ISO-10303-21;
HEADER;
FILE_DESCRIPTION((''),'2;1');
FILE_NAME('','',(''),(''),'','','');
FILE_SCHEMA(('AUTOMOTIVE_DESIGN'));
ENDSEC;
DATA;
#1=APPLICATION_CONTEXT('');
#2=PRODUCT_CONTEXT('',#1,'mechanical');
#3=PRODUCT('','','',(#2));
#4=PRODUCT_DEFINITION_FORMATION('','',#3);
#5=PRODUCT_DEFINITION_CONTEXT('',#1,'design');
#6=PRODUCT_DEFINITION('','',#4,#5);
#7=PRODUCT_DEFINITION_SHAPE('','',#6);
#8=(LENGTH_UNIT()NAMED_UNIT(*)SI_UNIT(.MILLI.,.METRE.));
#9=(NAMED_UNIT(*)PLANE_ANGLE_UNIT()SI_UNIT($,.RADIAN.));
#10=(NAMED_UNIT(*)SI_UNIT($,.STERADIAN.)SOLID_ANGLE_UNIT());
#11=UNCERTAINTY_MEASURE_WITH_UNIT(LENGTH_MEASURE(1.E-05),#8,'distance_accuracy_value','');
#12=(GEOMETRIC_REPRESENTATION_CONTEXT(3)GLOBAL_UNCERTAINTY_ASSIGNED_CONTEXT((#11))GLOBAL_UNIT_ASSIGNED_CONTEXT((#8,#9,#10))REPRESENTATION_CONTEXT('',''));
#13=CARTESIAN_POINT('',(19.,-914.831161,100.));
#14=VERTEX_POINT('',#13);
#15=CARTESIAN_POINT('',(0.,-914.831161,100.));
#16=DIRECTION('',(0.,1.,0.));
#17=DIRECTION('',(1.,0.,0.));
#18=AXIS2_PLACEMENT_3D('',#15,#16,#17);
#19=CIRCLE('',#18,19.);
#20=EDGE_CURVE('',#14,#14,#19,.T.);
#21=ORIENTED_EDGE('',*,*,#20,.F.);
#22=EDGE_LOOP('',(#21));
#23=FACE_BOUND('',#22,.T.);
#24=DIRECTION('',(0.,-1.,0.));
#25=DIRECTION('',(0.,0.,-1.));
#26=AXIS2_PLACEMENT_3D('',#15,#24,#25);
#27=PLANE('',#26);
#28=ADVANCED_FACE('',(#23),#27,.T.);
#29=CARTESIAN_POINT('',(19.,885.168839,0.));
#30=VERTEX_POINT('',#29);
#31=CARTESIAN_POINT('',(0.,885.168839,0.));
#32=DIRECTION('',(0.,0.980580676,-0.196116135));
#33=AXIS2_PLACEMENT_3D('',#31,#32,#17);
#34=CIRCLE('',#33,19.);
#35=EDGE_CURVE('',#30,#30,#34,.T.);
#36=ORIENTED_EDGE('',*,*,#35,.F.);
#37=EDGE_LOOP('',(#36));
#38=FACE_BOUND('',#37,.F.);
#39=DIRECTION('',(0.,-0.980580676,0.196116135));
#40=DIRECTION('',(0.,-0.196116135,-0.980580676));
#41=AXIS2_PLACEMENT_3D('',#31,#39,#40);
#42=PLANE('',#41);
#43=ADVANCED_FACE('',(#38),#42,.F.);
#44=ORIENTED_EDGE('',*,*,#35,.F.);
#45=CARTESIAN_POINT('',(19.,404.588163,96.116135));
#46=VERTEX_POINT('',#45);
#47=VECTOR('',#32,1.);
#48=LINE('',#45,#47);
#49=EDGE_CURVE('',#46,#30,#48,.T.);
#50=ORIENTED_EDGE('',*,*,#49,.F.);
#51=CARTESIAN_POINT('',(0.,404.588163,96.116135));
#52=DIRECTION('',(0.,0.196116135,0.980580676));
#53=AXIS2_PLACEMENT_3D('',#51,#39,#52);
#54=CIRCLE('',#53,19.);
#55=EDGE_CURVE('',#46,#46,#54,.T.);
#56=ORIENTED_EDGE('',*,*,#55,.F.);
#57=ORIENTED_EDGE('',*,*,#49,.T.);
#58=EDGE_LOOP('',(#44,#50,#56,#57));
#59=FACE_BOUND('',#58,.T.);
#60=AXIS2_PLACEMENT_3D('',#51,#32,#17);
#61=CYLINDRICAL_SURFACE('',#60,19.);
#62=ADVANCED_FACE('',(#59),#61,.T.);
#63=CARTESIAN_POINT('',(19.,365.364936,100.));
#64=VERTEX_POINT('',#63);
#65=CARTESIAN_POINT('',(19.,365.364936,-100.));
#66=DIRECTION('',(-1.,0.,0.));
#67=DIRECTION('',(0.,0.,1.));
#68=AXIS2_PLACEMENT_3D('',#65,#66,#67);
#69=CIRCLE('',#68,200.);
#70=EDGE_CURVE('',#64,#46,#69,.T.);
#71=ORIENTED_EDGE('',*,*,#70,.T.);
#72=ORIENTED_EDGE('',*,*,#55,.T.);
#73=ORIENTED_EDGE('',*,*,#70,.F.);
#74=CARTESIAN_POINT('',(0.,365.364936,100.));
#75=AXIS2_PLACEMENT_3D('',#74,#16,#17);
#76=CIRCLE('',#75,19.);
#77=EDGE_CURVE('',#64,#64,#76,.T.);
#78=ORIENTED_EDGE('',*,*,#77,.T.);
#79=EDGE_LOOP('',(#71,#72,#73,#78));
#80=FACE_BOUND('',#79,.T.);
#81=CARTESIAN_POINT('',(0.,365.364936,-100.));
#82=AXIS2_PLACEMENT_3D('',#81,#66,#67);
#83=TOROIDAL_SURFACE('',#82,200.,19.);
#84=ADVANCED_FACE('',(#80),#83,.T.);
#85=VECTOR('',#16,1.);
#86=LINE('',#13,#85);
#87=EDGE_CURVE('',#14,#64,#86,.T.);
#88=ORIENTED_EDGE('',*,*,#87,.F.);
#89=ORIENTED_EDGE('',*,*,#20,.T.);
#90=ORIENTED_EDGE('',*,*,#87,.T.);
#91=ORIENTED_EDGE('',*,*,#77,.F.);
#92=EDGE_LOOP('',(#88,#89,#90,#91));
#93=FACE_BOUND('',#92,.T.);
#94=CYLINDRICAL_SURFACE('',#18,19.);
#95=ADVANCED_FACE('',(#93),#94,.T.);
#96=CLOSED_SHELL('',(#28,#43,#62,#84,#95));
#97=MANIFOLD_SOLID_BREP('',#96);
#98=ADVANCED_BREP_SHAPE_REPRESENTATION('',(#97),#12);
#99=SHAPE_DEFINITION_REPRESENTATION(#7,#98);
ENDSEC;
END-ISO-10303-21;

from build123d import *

# Parameters (mm, degrees)
F1_R = 19


with BuildPart() as f2:
    # F2: sweep along a path in F0
    with BuildLine(Plane.YZ) as f2_path:
        Line((-914.831161499, 100), (365.3649357824, 100))
        ThreePointArc((365.3649357824, 100), (385.0724593757, 99.0266653336), (404.5881628101, 96.1161351382))
        Line((404.5881628101, 96.1161351382), (885.168838501, 0))
    # F1 (on Front) → F2 (sweep)
    with BuildSketch(Plane.XZ):
        with Locations((0, 100)):
            Circle(F1_R)
    sweep(path=f2_path.line)


solid = f2.part
